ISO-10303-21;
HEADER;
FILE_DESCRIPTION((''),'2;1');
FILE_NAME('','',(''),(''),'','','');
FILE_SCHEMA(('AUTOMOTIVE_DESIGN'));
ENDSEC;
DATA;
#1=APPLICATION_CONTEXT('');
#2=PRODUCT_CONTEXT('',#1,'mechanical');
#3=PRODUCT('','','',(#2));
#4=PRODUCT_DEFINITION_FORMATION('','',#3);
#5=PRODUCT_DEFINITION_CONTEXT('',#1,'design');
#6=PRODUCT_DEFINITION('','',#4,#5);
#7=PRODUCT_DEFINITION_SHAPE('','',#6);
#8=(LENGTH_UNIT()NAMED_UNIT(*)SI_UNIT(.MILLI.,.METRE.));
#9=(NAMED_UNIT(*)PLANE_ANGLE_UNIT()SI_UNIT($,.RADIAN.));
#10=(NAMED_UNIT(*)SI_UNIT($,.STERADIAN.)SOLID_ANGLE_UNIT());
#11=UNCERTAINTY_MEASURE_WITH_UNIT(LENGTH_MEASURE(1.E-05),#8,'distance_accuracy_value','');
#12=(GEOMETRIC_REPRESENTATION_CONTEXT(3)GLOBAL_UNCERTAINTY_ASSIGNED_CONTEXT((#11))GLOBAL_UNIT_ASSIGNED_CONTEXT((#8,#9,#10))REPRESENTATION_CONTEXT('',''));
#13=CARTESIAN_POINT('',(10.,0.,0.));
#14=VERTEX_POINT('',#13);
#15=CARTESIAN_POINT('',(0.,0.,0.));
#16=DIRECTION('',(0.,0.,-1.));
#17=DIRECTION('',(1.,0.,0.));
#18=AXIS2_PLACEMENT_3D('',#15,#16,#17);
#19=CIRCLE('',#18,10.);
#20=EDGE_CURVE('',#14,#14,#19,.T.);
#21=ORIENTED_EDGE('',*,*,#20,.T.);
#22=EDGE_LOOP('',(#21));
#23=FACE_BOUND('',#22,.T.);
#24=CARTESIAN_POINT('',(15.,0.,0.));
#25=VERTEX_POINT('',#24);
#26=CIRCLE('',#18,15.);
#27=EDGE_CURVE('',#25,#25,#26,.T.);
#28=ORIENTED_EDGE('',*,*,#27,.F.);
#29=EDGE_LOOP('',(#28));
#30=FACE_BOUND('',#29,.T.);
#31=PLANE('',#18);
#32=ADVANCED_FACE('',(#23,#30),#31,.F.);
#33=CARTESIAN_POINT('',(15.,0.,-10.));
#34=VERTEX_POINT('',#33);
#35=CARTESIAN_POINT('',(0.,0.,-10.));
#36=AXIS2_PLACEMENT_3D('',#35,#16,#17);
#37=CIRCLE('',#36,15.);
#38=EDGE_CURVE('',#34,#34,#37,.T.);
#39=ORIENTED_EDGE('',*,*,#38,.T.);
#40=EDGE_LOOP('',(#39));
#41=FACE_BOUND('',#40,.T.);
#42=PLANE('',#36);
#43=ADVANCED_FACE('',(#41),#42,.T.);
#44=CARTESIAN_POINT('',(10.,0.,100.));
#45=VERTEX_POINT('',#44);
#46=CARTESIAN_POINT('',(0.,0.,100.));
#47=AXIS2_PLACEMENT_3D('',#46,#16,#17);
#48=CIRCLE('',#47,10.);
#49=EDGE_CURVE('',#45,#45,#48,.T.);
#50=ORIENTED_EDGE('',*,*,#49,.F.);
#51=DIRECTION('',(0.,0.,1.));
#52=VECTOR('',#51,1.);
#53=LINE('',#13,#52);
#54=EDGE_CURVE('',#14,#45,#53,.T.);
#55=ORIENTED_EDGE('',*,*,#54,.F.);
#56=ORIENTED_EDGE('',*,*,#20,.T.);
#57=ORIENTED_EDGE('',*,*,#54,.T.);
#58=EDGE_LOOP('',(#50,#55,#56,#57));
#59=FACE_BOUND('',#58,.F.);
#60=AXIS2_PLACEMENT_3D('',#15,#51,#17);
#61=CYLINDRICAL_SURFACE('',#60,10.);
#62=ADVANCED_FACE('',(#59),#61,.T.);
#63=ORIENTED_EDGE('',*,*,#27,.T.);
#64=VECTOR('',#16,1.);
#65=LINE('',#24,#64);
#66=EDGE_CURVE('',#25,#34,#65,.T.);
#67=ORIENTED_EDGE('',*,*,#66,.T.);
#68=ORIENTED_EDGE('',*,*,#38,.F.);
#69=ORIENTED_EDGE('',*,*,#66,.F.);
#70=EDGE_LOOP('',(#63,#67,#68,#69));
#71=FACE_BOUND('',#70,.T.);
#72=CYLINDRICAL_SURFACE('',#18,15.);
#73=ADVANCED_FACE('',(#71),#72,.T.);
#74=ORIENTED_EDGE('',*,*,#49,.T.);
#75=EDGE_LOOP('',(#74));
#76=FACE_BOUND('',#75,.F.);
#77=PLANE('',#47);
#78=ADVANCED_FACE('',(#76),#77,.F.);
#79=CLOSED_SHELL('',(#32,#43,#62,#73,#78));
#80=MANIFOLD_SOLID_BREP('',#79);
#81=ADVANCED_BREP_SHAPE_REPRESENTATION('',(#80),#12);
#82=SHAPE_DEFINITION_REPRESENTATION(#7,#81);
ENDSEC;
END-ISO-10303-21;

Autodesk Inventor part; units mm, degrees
ref_plane "YZ Plane" through (0, 0, 0) normal (1, 0, 0) x (0, 1, 0)
ref_plane "XZ Plane" through (0, 0, 0) normal (0, 1, 0) x (-1, 0, 0)
ref_plane "XY Plane" through (0, 0, 0) normal (0, 0, 1) x (1, 0, 0)
sketch "Sketch1" plane through (0, 0, 0) normal (0, 1, 0) x (-1, 0, 0)
  line L0 (0, 0) -> (-10, 0)
  line L1 (-10, 0) -> (-10, 100)
  line L2 (-10, 100) -> (0, 100)
  line L3 (0, 100) -> (0, 0)
  line L4 (0, 0) -> (-15, 0)
  line L5 (-15, 0) -> (-15, -10)
  line L6 (-15, -10) -> (0, -10)
  line L7 (0, -10) -> (0, 0)
  dimension "d0" = 100
  dimension "d1" = 10
  dimension "d2" = 10
  dimension "d3" = 15
revolve "Revolution1" add sketch "Sketch1" angle 360 about axis through (0, 0, 100) along (0, 0, -1)
properties part number "small_gripper"
